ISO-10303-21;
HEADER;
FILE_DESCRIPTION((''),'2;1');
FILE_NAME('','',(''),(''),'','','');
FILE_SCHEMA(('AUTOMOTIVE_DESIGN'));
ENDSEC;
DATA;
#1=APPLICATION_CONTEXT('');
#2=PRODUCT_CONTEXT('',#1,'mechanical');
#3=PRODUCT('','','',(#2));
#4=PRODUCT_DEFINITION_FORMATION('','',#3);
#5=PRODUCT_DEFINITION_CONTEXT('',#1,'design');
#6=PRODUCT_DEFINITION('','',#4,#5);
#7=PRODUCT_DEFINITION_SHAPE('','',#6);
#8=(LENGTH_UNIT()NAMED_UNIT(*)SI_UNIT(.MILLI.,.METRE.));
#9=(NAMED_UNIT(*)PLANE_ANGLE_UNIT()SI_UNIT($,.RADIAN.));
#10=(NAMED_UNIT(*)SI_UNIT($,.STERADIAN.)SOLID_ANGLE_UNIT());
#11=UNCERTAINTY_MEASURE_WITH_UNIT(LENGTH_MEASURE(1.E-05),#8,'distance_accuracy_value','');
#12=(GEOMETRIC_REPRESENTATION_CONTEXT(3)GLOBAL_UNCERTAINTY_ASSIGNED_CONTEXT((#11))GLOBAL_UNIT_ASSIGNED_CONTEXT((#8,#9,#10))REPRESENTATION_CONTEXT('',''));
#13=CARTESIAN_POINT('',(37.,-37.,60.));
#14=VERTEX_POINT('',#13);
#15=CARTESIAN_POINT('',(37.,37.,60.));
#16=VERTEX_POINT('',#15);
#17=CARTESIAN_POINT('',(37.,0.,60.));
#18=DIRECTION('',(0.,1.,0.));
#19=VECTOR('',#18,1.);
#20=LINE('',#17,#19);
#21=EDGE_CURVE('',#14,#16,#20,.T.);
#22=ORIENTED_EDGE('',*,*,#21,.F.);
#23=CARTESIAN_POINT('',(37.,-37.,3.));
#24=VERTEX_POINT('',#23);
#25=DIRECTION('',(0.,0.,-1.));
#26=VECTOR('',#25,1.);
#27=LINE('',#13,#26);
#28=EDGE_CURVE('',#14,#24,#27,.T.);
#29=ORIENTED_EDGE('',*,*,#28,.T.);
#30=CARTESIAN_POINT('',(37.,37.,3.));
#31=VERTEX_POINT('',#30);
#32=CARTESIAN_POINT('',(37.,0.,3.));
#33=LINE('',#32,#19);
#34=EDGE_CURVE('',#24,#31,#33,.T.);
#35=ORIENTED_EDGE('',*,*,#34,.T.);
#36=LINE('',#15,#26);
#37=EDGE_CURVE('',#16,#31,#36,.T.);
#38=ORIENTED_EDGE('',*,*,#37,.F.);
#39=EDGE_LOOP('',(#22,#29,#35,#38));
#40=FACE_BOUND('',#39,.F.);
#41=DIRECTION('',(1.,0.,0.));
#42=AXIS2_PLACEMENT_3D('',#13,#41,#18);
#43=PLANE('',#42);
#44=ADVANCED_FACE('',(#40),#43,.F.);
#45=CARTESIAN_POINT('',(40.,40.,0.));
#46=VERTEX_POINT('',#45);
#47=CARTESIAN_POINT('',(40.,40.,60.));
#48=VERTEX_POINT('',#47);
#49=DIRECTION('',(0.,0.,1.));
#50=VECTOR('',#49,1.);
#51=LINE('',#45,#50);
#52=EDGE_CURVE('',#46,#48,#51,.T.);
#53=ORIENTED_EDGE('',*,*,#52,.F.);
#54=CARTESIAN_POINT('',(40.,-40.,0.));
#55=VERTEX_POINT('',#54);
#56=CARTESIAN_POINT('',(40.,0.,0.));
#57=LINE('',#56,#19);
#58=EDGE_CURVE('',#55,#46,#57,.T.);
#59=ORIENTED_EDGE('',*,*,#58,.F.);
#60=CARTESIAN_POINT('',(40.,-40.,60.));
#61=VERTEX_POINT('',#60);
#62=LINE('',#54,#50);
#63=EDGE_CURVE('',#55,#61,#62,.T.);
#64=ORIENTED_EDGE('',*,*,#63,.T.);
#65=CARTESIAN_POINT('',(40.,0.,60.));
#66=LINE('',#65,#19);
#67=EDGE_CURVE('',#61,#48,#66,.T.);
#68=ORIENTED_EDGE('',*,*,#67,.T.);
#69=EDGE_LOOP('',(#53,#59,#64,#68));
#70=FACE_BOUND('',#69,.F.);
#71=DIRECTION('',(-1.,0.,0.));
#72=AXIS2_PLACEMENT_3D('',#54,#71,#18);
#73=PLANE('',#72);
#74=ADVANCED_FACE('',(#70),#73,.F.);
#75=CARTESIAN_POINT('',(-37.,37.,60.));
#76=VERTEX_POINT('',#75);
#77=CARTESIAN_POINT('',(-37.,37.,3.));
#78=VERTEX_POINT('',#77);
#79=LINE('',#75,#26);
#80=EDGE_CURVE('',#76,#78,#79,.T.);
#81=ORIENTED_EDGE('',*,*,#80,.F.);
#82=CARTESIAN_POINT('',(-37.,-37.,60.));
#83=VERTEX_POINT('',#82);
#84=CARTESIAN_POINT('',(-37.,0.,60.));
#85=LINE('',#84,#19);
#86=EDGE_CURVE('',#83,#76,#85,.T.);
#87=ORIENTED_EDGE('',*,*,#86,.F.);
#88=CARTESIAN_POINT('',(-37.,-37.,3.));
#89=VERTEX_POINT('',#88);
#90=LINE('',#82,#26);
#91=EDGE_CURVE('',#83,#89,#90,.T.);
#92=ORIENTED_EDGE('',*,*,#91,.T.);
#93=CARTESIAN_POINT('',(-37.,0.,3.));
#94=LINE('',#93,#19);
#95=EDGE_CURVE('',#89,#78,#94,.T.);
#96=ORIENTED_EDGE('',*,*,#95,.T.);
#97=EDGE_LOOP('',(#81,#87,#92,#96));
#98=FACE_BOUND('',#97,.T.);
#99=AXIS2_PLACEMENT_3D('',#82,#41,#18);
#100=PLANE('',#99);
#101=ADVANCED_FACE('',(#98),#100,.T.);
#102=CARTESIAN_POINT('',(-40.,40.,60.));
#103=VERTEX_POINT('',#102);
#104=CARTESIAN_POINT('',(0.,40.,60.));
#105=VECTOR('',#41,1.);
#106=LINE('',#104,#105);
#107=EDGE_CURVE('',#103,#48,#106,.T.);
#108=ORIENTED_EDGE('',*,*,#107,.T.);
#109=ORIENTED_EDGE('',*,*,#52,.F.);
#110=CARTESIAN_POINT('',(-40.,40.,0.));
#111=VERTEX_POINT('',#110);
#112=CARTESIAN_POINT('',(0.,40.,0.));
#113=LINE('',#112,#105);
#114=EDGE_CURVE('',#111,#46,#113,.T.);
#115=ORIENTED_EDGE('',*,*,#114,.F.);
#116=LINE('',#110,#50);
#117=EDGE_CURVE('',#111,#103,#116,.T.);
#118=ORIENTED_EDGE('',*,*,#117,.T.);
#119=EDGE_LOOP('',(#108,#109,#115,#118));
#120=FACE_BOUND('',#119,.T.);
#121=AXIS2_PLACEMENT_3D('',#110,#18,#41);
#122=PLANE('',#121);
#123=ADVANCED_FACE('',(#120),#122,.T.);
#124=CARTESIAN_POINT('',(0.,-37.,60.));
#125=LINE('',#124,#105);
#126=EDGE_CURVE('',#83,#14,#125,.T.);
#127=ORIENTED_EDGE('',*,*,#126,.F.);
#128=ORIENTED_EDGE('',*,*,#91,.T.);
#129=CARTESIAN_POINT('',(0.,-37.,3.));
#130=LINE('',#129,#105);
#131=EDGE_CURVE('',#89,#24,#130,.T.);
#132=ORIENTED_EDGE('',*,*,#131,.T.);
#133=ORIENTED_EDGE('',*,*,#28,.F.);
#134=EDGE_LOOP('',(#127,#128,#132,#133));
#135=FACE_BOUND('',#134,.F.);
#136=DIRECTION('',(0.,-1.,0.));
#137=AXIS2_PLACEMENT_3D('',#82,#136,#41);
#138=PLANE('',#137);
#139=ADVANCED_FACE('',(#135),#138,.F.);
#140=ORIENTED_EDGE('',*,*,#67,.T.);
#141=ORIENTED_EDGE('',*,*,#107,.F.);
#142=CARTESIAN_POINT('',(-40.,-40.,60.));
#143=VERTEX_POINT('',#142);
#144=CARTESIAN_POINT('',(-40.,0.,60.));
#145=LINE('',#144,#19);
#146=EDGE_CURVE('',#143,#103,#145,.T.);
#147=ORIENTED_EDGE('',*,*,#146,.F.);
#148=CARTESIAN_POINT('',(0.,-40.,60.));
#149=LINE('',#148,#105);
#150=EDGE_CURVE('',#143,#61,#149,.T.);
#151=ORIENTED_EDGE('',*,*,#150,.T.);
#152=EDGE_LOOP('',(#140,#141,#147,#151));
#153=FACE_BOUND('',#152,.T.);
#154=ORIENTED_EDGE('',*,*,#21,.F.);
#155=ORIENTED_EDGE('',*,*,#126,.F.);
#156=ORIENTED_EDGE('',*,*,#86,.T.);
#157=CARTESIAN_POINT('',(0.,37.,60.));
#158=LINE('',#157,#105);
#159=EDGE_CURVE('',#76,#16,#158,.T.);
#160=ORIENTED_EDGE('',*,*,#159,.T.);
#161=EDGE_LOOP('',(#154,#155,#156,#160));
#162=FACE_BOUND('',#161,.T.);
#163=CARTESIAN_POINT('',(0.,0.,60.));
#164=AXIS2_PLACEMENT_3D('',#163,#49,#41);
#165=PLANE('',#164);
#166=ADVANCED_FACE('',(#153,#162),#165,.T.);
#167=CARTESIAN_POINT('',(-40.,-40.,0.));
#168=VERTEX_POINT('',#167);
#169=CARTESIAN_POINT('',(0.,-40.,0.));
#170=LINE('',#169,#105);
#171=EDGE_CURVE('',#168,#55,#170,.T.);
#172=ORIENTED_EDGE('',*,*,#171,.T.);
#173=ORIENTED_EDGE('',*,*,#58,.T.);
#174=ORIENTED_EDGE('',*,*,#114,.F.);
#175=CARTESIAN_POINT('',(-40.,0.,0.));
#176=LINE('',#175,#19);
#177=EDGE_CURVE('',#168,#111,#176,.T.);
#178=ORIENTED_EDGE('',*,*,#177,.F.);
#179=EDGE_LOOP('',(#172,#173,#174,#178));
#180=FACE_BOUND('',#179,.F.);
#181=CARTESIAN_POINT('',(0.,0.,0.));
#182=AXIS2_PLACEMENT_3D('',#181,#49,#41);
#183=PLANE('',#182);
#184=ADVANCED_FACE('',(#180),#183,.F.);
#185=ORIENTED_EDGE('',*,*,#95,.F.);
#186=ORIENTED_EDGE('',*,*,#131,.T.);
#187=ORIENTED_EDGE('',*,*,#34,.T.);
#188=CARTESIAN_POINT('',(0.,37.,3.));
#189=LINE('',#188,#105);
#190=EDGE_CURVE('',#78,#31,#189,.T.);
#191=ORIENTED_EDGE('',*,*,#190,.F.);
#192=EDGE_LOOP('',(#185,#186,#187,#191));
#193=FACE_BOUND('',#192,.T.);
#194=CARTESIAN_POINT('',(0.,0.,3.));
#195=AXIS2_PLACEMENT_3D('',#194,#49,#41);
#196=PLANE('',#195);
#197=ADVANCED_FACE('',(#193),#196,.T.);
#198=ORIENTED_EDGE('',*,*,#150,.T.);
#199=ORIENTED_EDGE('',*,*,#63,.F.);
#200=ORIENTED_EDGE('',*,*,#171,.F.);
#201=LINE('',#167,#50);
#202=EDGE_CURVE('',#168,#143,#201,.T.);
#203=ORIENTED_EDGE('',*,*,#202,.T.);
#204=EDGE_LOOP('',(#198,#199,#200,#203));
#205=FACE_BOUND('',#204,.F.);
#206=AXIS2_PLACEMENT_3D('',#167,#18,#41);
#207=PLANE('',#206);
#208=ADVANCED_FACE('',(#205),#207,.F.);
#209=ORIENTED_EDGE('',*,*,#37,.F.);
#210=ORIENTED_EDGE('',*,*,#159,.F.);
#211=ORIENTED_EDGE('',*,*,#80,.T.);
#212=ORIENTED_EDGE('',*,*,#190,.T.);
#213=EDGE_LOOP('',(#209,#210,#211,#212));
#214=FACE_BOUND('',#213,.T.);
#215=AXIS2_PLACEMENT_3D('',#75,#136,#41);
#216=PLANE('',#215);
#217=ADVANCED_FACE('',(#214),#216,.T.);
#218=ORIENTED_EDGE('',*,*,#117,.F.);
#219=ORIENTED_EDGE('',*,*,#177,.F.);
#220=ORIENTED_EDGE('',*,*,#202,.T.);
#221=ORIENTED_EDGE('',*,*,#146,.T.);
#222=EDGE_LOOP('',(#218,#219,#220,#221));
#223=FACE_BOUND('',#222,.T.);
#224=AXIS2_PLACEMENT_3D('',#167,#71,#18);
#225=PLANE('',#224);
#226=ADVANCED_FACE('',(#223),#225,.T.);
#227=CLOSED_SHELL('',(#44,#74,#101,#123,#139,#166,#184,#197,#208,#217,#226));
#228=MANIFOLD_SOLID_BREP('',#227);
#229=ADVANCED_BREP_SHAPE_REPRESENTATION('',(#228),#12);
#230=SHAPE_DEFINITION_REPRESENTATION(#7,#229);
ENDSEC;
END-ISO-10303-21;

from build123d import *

# Parameters (mm, degrees)
SKETCH_W     = 80
SKETCH_H     = 80
PAD_DEPTH    = 60
SKETCH001_W  = 74
SKETCH001_H  = 74
POCKET_DEPTH = 57


with BuildPart() as part:
    # Sketch → Pad (new body)
    with BuildSketch(Plane.XY):
        Rectangle(SKETCH_W, SKETCH_H)
    extrude(amount=PAD_DEPTH)

    # Sketch001 (on Face6 of Pad) → Pocket (cut)
    with BuildSketch(Plane.XY.offset(60)):
        Rectangle(SKETCH001_W, SKETCH001_H)
    extrude(amount=-POCKET_DEPTH, mode=Mode.SUBTRACT)


solid = part.part
